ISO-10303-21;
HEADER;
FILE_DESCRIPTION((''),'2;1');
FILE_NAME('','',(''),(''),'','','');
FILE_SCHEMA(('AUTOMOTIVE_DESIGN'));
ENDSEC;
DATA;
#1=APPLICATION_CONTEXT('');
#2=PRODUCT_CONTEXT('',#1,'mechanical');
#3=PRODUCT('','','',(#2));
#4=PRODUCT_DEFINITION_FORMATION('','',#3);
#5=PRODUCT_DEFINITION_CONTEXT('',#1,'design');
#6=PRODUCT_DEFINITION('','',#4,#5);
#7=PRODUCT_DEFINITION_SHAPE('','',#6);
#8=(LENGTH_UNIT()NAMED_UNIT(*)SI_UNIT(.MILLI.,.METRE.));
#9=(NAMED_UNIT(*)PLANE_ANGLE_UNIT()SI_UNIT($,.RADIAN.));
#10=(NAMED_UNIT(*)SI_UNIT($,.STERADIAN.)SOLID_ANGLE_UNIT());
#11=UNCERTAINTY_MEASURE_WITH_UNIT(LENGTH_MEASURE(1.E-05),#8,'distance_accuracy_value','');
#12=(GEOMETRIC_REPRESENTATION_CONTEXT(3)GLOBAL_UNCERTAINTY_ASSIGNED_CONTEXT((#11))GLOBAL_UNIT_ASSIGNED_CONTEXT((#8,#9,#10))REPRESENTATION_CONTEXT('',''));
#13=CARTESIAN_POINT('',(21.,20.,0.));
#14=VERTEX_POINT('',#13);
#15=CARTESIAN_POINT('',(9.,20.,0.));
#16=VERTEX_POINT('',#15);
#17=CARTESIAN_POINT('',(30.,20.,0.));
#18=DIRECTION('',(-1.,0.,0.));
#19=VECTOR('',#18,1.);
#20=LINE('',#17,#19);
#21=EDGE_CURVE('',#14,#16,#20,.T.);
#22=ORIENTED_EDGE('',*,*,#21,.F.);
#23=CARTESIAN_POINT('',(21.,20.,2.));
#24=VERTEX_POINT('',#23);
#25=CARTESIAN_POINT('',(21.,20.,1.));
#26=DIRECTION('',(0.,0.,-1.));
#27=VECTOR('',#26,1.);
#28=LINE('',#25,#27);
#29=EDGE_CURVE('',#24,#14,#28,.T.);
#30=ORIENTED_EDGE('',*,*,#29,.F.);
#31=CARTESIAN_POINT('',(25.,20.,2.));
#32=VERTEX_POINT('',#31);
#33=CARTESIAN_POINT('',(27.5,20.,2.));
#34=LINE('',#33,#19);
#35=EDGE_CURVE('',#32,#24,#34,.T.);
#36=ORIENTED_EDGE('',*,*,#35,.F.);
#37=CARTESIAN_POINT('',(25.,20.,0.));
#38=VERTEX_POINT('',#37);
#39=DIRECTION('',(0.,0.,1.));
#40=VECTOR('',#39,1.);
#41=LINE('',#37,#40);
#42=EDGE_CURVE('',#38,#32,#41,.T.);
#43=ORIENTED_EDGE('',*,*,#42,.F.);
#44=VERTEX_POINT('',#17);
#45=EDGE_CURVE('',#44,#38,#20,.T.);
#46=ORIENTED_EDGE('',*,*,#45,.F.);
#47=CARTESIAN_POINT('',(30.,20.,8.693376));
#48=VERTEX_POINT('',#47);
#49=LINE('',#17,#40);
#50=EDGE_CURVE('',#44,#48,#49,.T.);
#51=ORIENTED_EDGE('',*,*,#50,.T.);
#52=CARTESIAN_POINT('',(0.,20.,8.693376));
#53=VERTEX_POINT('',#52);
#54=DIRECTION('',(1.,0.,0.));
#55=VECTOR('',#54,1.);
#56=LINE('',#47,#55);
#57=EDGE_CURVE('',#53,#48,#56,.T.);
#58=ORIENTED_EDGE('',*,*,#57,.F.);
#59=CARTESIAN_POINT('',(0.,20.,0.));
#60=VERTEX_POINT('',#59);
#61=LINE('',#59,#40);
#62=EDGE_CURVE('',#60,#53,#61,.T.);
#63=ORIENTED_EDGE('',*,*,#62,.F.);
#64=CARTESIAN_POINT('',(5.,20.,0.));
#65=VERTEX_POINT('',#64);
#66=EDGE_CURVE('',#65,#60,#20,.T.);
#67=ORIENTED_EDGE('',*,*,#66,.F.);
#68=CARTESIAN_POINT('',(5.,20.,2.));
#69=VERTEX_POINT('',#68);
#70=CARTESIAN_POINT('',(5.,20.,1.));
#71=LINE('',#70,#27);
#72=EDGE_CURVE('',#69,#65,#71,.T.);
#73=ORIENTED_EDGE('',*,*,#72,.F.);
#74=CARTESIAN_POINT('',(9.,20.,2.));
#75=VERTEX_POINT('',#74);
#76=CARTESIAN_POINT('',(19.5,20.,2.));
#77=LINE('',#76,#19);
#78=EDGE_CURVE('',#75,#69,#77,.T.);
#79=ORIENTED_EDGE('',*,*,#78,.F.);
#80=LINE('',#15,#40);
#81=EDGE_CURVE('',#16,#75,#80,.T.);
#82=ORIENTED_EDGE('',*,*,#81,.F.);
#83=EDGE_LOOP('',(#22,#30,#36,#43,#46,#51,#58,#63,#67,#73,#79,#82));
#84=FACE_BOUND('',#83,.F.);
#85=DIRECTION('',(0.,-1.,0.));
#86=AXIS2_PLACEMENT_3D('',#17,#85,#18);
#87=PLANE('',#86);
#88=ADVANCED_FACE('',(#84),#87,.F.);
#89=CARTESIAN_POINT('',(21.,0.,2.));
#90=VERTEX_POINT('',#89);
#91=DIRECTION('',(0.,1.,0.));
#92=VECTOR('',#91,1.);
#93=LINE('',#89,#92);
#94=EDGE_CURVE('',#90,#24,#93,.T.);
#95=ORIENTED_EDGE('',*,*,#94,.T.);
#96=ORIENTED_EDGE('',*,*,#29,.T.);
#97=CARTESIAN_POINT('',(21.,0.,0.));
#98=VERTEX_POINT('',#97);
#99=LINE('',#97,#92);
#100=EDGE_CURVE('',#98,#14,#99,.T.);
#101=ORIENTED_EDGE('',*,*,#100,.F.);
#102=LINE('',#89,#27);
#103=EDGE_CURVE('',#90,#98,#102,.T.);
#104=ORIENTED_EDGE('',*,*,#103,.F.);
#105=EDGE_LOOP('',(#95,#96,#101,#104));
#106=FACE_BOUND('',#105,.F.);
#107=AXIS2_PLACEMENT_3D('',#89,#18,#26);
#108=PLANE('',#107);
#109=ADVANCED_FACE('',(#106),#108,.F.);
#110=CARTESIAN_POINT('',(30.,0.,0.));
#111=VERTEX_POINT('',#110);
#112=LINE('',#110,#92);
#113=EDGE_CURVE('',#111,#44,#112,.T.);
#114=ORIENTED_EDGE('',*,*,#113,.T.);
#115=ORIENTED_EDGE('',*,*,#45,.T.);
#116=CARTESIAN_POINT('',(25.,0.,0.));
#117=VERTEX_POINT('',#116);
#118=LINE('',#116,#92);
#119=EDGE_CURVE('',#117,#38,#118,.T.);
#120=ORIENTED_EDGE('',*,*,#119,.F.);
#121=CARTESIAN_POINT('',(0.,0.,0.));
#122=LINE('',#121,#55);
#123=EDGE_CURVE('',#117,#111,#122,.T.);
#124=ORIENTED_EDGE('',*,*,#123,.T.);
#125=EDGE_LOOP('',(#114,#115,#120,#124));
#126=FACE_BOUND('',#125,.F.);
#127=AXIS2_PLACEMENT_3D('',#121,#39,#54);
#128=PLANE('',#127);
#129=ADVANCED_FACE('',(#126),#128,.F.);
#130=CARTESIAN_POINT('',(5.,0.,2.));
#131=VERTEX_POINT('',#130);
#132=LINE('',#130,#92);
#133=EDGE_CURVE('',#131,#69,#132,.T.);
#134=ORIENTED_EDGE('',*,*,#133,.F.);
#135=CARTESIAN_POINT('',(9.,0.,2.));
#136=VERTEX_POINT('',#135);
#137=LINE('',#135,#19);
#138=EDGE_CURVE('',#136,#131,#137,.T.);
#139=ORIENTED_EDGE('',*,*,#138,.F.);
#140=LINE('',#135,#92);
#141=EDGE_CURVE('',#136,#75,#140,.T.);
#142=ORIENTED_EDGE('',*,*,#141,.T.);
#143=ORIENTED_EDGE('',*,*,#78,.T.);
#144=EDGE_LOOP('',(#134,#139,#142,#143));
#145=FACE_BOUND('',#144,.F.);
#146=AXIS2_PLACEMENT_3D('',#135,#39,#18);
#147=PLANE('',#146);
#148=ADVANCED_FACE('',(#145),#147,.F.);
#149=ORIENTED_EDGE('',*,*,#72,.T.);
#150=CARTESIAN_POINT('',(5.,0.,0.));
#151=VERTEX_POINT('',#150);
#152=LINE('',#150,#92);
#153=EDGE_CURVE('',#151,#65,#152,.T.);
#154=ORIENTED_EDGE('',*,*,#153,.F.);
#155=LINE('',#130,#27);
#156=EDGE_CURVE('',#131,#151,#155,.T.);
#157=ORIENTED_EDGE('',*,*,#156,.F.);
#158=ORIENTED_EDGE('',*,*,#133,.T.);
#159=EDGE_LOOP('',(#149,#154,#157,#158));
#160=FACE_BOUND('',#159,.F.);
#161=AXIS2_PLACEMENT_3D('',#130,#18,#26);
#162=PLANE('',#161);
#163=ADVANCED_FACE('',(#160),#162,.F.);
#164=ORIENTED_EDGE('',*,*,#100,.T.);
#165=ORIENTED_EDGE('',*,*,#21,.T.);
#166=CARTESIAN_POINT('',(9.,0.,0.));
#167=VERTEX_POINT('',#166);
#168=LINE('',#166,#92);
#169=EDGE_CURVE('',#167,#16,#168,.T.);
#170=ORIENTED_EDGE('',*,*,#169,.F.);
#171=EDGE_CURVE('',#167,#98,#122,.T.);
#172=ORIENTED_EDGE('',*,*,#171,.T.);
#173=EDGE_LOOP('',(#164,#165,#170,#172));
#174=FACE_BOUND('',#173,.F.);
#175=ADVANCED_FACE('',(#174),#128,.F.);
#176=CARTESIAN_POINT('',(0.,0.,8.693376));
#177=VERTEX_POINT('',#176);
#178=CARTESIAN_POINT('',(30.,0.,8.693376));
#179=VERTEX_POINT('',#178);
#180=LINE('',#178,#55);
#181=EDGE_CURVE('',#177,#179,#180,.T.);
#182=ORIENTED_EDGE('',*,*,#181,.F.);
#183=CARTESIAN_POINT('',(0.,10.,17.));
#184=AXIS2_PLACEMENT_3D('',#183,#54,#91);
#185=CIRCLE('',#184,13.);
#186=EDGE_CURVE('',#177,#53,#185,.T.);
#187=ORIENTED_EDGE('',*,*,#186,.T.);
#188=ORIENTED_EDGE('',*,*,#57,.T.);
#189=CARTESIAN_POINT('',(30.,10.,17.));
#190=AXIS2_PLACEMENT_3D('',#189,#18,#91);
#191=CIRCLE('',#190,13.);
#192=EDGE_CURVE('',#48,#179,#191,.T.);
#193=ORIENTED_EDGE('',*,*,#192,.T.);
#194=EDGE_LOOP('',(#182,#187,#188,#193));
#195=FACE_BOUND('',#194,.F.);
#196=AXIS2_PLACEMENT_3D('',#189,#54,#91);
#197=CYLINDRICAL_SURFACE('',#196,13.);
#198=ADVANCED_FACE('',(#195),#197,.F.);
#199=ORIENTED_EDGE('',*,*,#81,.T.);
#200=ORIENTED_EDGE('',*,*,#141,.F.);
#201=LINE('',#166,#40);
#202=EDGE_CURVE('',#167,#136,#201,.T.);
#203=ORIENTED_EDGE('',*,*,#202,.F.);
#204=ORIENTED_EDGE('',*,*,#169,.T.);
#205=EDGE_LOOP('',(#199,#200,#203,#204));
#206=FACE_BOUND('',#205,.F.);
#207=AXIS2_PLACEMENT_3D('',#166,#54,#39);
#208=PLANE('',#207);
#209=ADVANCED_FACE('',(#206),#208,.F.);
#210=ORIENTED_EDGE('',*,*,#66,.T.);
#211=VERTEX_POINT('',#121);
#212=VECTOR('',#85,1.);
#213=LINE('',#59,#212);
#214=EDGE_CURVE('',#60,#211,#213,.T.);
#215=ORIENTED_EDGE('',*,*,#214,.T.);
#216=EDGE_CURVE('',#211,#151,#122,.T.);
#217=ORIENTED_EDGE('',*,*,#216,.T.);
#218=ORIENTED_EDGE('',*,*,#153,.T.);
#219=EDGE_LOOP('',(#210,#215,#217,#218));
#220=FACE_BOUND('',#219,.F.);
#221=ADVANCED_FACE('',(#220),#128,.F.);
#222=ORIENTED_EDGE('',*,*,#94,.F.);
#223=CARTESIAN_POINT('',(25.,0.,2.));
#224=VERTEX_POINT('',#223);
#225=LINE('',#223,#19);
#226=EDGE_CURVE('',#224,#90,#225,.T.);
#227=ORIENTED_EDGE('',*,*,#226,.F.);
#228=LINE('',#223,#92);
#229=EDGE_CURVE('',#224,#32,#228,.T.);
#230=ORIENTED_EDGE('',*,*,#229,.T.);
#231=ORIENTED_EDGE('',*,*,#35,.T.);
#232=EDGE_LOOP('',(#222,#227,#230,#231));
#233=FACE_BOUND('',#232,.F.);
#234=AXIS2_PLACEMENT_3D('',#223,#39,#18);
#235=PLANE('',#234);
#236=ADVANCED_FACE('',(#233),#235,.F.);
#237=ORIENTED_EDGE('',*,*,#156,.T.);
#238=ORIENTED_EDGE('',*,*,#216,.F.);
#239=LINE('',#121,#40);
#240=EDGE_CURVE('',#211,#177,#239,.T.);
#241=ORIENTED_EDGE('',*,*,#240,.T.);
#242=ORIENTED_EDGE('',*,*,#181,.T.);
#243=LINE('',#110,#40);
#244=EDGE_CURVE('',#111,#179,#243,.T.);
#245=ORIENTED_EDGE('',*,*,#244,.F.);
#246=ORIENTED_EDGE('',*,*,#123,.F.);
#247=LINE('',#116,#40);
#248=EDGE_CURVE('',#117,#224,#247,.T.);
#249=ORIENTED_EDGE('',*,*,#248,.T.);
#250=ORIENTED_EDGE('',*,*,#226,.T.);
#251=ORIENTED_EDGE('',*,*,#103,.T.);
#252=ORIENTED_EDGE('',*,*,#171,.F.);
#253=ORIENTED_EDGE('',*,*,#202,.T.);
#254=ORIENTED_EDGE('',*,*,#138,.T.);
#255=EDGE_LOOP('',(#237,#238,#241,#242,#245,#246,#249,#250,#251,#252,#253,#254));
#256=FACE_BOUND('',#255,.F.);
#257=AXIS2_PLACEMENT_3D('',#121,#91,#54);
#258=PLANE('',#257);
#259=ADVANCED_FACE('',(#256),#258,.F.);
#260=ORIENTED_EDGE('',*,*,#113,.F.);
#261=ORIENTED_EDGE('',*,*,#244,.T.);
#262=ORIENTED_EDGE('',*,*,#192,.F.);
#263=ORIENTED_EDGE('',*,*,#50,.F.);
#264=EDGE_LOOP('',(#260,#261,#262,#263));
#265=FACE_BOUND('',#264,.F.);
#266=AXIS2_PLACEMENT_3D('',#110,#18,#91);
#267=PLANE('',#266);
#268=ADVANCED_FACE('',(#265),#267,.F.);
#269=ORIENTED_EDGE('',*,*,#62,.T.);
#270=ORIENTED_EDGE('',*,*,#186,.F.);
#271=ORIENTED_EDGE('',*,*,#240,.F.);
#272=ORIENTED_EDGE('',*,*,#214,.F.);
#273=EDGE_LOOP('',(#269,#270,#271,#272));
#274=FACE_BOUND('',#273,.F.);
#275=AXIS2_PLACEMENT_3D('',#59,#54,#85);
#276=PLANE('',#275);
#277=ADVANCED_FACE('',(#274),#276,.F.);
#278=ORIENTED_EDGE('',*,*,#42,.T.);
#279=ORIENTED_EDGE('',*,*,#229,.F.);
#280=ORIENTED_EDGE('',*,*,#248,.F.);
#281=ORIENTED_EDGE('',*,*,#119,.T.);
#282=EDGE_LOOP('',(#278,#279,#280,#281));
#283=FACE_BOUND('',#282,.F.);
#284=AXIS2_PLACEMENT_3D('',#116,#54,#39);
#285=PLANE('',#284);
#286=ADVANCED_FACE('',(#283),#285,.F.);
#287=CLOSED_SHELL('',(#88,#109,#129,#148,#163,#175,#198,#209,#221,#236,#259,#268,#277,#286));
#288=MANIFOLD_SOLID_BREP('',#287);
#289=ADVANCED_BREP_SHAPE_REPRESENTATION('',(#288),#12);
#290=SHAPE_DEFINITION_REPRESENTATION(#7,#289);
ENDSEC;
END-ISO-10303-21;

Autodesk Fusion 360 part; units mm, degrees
sketch "Sketch1" plane through (0, 0, 0) normal (0, 0, 1) x (1, 0, 0)
sketch "Sketch2" plane through (0, 0, 0) normal (0, 0, 1) x (1, 0, 0)
  line L0 (0, 0) -> (30, 0)
  line L1 (30, 0) -> (30, 20)
  line L2 (30, 20) -> (0, 20)
  line L3 (0, 20) -> (0, 0)
  dimension "d1" = 30
  dimension "d2" = 20
extrude "Extrude1" add sketch "Sketch2" along normal blind 15
sketch "Sketch3" plane through (30, 0, 0) normal (1, 0, 0) x (0, 1, 0)
  line L0 (0, 0) -> (20, 0)
  line L1 (20, 0) -> (20, 15)
  line L2 (20, 15) -> (0, 15)
  line L3 (0, 15) -> (0, 0)
  circle A0 centre (10, 17) radius 13
  dimension "d5" = 26
  dimension "d6" = 17
  dimension "d7" = 10
extrude "Extrude2" cut sketch "Sketch3" against normal blind 60 contours L1 L2 L3 A0 | L1 L2 L3 A0
sketch "Sketch4" plane through (0, 0, 0) normal (0, -1, 0) x (1, 0, 0)
  line L0 (30, 8.6934) -> (0, 8.6934)
  line L1 (0, 8.6934) -> (0, 0)
  line L2 (0, 0) -> (30, 0)
  line L3 (30, 0) -> (30, 8.6934)
  line L4 (5, 0) -> (9, 0)
  line L5 (9, 0) -> (9, 2)
  line L6 (9, 2) -> (5, 2)
  line L7 (5, 2) -> (5, 0)
  line L8 (21, 0) -> (25, 0)
  line L9 (25, 0) -> (25, 2)
  line L10 (25, 2) -> (21, 2)
  line L11 (21, 2) -> (21, 0)
  dimension "d10" = 4
  dimension "d11" = 2
  dimension "d12" = 4
  dimension "d13" = 2
  dimension "d14" = 5
  dimension "d15" = 5
extrude "Extrude3" cut sketch "Sketch4" against normal blind 50 contours L2 L8 L9 L10 L11 | L2 L4 L5 L6 L7
